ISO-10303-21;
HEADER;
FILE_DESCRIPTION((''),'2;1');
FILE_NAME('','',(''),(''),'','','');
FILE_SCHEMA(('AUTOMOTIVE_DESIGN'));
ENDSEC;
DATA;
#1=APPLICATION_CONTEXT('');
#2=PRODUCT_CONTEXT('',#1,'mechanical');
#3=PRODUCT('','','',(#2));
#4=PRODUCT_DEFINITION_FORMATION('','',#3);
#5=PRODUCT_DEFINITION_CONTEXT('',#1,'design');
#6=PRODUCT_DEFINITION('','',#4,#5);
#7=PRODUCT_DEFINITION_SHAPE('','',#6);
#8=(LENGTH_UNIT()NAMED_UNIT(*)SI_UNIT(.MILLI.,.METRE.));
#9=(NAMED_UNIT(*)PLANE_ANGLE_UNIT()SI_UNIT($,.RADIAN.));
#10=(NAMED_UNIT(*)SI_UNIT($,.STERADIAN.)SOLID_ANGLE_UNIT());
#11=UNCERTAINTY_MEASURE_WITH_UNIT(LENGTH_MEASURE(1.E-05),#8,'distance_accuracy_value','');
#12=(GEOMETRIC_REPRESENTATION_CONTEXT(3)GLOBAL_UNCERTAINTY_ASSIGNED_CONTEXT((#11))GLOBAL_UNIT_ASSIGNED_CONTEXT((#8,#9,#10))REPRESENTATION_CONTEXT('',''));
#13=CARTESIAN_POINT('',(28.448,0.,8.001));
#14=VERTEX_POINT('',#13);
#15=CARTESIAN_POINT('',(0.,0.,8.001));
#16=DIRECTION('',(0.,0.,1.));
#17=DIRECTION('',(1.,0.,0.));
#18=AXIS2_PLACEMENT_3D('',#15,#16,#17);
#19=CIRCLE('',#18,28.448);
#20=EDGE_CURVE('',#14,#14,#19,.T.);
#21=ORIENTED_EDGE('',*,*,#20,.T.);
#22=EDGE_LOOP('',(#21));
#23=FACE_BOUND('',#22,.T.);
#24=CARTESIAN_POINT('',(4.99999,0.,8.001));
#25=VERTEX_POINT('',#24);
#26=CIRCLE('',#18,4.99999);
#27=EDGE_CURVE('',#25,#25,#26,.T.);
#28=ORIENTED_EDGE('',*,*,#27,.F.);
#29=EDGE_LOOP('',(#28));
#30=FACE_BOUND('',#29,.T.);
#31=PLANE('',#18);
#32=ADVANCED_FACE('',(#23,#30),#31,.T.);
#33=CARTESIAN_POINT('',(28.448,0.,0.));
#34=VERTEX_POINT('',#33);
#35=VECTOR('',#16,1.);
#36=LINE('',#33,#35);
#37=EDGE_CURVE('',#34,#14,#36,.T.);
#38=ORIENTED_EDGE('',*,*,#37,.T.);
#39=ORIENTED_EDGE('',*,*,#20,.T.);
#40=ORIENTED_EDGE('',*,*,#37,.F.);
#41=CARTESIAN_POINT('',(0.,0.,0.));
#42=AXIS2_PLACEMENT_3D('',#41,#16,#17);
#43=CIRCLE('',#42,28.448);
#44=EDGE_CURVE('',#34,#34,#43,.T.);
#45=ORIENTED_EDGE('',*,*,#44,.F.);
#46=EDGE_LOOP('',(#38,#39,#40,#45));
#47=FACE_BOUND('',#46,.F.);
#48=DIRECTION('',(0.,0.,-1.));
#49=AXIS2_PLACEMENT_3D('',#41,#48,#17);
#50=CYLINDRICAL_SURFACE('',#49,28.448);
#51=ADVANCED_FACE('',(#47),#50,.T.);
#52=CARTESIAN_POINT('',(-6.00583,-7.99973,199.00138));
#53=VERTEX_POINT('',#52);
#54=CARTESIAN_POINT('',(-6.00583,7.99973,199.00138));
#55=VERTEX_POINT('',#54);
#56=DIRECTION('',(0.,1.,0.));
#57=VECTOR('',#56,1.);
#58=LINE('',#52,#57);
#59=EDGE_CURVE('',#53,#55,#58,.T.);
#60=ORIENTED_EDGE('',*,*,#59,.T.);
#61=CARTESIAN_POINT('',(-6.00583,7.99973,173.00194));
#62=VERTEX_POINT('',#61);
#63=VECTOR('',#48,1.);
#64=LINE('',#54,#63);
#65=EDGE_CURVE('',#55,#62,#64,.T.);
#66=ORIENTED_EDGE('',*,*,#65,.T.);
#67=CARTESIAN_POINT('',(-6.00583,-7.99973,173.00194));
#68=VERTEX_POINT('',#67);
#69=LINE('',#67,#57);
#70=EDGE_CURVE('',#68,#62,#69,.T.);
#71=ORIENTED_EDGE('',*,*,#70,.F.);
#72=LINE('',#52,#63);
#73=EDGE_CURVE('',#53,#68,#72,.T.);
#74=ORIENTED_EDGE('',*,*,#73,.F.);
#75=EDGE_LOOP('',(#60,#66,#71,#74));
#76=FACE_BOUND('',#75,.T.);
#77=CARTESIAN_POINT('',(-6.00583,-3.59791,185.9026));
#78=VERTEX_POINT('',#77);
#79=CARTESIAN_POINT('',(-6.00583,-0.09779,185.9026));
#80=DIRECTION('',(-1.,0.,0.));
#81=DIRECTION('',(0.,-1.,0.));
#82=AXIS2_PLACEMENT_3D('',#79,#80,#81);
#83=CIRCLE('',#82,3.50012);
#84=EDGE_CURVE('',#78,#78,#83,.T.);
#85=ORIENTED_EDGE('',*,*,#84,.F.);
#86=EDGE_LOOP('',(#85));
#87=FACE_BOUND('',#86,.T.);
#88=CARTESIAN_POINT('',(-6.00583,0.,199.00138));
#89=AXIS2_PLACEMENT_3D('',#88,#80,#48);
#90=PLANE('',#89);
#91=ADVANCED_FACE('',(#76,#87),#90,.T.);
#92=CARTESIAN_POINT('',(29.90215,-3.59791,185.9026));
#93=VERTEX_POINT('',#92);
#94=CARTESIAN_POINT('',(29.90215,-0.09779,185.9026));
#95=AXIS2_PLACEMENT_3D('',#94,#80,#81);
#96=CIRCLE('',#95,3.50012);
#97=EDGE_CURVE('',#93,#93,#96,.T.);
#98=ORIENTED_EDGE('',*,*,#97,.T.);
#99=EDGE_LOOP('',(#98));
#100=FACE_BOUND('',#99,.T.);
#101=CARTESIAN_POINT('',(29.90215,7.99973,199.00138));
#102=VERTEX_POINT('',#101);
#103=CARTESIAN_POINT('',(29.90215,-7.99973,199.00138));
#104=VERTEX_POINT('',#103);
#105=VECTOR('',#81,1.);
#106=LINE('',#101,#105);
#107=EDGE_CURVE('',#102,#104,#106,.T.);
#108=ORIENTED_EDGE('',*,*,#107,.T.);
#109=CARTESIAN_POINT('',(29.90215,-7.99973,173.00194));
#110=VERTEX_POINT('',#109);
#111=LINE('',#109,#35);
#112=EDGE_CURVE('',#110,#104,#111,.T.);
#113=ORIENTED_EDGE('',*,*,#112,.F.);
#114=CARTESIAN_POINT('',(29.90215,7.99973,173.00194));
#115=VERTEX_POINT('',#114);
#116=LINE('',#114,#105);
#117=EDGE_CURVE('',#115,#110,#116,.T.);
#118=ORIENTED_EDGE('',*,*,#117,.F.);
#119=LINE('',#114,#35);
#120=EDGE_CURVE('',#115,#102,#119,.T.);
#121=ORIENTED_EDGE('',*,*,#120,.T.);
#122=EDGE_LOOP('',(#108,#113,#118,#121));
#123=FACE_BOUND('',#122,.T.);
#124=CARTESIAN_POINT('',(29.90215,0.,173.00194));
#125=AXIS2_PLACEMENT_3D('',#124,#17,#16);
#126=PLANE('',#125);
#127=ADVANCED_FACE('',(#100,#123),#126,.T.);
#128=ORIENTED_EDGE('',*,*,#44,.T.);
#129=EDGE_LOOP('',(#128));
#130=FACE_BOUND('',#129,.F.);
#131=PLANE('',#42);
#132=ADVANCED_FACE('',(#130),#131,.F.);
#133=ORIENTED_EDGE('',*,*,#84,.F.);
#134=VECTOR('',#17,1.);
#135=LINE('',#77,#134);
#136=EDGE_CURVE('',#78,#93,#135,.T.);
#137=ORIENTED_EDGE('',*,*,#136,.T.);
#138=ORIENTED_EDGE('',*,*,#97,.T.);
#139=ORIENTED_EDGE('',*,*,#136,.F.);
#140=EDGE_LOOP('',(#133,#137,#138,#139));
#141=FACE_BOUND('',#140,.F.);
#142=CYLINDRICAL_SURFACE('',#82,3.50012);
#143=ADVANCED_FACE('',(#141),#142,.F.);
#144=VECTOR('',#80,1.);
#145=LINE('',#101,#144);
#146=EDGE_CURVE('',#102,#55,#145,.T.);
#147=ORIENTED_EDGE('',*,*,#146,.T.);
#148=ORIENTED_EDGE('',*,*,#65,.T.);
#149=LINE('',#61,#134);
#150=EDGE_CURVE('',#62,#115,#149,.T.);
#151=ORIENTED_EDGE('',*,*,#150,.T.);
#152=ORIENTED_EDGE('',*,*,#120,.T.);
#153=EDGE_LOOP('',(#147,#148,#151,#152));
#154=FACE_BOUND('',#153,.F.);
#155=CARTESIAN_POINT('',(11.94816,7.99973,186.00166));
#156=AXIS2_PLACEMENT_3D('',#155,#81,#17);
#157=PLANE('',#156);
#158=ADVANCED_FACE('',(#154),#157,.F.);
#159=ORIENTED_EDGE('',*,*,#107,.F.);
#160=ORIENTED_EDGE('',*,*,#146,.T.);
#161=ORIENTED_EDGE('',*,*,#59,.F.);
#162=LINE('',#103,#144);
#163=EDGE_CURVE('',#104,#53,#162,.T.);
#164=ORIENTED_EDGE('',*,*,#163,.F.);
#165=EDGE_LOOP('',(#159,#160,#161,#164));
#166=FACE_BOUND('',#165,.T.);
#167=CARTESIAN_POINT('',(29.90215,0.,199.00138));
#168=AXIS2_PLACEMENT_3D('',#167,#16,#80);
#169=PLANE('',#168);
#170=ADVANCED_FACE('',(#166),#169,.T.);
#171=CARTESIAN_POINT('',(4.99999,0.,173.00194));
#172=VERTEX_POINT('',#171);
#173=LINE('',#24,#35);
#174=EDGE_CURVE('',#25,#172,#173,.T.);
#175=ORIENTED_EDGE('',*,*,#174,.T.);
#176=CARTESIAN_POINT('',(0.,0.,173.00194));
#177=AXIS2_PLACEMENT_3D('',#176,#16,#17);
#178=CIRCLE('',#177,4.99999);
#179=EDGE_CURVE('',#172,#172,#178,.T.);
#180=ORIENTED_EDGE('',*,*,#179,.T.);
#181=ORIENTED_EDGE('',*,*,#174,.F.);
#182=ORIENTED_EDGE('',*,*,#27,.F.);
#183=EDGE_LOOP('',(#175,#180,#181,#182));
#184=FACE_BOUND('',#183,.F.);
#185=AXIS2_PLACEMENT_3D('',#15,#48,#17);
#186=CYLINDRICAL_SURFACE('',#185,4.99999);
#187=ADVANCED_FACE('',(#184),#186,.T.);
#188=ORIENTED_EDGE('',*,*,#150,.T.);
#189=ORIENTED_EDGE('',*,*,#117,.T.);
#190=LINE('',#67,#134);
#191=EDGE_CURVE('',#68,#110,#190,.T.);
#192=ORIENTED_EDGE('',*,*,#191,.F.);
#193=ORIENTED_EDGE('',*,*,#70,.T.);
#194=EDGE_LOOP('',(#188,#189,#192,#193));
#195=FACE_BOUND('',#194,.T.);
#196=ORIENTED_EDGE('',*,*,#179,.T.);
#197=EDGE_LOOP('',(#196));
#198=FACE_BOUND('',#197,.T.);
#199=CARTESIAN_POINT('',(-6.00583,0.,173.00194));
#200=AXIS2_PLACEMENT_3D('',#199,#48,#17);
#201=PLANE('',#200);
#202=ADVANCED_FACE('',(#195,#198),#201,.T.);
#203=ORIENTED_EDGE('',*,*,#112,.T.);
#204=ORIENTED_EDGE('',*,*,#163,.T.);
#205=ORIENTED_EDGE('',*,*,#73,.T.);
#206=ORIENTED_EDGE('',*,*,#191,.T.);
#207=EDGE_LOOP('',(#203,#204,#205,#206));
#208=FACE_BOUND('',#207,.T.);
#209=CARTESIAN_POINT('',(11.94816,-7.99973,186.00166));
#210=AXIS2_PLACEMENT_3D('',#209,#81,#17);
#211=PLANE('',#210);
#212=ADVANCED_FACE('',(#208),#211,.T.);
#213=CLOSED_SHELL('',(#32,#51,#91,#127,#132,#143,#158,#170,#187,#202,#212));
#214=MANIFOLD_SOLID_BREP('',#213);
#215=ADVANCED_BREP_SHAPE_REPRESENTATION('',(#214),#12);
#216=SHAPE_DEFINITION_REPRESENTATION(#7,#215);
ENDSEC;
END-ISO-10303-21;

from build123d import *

# Parameters (mm, degrees)
F0_R     = 28.448
F1_DEPTH = 8.001
F2_R     = 4.99999
F3_DEPTH = 165.00094
F5_DEPTH = 7.99973
F6_R     = 3.50012
F7_DEPTH = 43.9928


with BuildPart() as f1:
    # F0 (on Top) → F1 (new body)
    with BuildSketch(Plane.XY):
        Circle(F0_R)
    extrude(amount=F1_DEPTH)

    # F2 (on face) → F3 (join)
    with BuildSketch(Plane.XY.offset(8.001)):
        Circle(F2_R)
    extrude(amount=F3_DEPTH)

    # F4 (on Front) → F5 (join, symmetric)
    with BuildSketch(Plane.XZ):
        Polygon((-6.00583, 173.00194), (-4.99999, 173.00194), (4.99999, 173.00194), (29.90215, 173.00194), (29.90215, 199.00138), (-6.00583, 199.00138), align=None)
    extrude(amount=F5_DEPTH, both=True)

    # F6 (on face) → F7 (cut)
    with BuildSketch(Plane(origin=(-6.00583, 0, 0), x_dir=(0, -1, 0), z_dir=(-1, 0, 0))):
        with Locations((0.09779, 185.9026)):
            Circle(F6_R)
    extrude(amount=-F7_DEPTH, mode=Mode.SUBTRACT)


solid = f1.part
